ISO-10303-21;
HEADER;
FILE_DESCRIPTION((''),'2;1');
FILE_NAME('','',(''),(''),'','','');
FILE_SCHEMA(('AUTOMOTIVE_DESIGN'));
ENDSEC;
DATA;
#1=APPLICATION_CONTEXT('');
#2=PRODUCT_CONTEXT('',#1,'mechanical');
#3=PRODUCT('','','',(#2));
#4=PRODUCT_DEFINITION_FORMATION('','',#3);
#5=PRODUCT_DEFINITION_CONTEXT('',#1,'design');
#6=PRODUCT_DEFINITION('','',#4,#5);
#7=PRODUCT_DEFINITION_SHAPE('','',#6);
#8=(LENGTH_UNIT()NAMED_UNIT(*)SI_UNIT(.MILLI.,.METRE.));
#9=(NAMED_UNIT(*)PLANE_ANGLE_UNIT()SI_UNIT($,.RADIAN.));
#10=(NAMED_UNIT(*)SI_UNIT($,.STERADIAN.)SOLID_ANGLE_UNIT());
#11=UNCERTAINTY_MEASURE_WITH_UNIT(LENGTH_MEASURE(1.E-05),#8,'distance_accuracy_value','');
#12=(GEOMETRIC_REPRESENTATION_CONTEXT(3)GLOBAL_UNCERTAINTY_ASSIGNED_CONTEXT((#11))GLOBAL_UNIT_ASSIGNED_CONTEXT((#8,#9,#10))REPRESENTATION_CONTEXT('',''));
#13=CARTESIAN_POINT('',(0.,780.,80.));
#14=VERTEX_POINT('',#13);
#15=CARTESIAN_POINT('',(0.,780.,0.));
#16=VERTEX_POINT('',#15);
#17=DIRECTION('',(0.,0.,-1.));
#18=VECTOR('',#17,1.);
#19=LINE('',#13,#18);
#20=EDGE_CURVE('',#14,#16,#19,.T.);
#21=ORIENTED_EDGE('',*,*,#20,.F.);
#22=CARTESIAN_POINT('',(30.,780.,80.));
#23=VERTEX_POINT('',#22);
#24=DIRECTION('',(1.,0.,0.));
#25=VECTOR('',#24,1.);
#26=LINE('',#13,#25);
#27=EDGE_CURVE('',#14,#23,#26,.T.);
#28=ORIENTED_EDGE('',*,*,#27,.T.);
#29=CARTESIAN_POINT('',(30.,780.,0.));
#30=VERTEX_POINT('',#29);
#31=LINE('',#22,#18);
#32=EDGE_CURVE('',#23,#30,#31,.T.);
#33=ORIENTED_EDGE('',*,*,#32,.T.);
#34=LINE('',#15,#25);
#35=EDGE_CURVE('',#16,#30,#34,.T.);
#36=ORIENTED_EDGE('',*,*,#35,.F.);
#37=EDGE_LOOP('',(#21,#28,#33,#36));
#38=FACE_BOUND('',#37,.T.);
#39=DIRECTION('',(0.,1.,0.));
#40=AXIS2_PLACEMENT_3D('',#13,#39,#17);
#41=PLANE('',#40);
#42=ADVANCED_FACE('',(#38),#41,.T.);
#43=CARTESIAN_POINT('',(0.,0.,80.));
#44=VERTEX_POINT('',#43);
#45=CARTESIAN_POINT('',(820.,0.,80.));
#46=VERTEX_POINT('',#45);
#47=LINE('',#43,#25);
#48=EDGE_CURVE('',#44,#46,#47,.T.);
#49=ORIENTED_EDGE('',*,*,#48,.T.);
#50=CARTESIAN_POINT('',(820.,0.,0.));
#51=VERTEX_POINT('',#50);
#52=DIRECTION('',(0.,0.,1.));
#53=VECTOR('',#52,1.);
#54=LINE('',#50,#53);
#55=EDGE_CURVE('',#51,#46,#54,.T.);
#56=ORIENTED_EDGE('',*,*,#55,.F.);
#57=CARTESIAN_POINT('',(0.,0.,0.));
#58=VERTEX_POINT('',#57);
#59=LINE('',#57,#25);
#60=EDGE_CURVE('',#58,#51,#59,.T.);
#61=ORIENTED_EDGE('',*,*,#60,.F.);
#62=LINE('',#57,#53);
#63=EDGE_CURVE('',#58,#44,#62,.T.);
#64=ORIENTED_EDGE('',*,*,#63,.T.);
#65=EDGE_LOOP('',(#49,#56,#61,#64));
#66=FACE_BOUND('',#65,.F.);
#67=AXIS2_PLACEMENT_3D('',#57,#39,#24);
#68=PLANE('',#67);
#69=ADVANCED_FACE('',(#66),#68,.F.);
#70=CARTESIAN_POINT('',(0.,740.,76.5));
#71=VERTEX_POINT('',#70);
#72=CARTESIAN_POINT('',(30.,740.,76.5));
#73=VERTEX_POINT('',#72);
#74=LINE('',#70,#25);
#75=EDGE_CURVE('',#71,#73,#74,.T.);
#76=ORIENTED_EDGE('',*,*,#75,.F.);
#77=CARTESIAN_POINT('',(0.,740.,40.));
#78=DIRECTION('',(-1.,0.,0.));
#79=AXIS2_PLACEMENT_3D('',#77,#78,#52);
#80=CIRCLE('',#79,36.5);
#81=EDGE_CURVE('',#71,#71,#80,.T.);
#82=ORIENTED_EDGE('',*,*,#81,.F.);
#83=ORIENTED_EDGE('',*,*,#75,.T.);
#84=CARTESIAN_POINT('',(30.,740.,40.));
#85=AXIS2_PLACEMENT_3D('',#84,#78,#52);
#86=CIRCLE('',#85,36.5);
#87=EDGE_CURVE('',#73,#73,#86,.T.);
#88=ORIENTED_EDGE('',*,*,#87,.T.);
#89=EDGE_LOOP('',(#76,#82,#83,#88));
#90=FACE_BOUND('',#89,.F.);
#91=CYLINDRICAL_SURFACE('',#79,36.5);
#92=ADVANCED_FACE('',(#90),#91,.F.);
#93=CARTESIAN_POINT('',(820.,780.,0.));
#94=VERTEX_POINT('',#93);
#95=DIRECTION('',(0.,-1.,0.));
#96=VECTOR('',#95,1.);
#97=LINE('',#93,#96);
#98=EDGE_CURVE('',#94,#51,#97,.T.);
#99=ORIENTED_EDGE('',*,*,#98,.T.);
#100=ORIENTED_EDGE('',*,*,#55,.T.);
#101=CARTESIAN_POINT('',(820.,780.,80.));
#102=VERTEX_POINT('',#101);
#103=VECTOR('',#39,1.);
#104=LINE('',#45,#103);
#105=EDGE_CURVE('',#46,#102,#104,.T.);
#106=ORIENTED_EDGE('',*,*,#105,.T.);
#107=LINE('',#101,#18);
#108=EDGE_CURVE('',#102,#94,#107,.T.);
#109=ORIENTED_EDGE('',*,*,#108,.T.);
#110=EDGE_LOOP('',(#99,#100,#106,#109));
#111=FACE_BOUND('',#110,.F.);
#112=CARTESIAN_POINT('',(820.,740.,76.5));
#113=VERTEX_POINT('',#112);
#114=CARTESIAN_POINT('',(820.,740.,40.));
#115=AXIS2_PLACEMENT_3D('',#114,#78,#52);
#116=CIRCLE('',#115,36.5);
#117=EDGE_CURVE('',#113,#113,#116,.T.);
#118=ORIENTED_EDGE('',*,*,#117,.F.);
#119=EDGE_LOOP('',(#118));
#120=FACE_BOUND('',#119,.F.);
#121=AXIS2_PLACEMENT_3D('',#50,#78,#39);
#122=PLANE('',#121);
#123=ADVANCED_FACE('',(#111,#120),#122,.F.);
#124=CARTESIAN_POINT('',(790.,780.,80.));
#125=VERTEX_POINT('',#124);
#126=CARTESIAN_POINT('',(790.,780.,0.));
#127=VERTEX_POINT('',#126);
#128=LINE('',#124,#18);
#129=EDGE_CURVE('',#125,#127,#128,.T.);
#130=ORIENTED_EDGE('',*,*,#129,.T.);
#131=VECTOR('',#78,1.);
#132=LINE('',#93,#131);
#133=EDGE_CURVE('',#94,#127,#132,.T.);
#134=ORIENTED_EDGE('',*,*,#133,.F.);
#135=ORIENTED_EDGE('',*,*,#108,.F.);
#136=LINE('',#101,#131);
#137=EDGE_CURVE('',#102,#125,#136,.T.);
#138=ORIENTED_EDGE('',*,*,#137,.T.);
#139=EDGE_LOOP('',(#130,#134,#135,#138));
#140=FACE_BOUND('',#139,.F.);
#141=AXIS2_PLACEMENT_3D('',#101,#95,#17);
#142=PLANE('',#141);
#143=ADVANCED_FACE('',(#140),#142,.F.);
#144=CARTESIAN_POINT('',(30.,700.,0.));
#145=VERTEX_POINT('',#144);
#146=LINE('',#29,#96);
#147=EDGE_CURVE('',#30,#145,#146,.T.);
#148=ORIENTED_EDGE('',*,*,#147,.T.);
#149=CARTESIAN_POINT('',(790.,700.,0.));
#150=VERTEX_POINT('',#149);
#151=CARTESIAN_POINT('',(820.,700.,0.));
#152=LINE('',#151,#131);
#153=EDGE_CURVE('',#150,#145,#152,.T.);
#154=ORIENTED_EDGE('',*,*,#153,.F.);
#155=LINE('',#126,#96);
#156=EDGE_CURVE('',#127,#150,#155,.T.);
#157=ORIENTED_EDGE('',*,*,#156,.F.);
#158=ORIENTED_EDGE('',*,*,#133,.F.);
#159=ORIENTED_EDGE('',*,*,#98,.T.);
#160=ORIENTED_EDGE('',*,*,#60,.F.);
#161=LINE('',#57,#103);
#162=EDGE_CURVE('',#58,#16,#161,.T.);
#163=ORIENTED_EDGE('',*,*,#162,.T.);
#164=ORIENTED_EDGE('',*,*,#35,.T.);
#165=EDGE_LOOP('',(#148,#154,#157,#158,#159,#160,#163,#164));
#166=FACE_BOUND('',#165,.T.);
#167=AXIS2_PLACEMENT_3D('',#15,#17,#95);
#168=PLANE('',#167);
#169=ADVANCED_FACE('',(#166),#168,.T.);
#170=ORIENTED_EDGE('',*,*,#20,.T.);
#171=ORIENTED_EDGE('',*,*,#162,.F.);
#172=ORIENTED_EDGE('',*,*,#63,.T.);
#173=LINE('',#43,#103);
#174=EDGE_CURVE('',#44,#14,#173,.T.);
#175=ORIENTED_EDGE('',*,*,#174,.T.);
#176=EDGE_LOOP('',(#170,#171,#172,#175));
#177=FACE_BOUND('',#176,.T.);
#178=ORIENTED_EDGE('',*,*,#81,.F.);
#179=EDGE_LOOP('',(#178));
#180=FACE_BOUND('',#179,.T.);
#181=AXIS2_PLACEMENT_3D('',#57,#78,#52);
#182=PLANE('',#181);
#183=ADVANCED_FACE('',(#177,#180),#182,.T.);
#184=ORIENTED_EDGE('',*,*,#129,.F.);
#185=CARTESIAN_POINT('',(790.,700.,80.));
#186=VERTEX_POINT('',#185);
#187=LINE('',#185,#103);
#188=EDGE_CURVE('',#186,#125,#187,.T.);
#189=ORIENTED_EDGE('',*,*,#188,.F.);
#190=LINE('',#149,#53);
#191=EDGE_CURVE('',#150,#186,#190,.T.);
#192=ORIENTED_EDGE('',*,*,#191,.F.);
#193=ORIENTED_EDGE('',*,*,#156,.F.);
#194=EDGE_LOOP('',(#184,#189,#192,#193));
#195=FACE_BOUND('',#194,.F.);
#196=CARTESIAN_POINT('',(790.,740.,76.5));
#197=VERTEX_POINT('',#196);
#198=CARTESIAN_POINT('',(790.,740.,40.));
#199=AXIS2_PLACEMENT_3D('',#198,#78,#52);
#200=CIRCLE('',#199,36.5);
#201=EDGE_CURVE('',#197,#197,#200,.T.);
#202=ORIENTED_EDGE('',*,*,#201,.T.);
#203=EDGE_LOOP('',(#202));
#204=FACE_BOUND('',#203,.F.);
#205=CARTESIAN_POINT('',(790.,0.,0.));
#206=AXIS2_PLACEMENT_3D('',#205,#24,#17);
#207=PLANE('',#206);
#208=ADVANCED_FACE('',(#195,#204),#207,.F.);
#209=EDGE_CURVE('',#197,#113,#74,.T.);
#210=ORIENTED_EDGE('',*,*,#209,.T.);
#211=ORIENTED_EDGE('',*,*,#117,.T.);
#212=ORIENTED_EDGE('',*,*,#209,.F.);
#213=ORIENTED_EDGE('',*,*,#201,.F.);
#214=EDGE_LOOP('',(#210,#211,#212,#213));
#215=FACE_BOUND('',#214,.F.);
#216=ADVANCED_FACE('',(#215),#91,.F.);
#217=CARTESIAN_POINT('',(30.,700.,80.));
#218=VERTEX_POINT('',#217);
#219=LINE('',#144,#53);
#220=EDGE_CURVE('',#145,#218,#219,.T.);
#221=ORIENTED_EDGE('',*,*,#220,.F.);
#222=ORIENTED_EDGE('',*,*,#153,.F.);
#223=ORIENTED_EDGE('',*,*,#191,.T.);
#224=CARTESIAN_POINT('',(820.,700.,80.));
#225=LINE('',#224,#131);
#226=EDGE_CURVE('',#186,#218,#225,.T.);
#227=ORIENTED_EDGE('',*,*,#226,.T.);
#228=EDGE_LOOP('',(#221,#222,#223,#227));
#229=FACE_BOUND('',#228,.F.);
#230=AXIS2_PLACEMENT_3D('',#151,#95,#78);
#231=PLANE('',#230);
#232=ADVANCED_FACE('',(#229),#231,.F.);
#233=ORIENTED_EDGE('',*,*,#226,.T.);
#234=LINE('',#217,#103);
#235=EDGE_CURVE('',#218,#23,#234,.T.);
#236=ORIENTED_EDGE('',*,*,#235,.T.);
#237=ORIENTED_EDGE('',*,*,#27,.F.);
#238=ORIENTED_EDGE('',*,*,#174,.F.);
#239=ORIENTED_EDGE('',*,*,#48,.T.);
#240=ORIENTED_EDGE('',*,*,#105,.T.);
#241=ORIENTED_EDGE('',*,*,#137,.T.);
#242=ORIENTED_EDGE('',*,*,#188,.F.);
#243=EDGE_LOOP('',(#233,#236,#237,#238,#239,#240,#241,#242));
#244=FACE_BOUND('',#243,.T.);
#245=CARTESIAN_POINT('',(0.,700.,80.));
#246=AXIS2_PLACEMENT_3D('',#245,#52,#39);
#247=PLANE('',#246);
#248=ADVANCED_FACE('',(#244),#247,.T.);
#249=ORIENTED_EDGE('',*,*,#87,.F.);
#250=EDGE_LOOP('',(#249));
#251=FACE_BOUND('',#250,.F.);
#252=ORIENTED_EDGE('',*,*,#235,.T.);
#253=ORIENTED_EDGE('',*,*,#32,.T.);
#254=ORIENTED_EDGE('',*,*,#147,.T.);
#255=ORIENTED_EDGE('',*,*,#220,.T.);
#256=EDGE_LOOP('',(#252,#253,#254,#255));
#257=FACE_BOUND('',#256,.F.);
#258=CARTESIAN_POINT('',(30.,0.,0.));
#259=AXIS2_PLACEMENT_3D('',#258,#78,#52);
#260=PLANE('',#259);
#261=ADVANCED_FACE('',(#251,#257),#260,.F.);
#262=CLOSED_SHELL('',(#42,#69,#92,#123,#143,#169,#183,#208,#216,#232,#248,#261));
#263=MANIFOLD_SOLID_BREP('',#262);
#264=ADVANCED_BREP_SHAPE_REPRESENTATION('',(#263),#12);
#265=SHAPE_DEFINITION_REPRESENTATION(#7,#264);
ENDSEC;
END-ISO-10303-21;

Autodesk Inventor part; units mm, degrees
ref_plane "YZ Plane" through (0, 0, 0) normal (1, 0, 0) x (0, 1, 0)
ref_plane "XZ Plane" through (0, 0, 0) normal (0, 1, 0) x (-1, 0, 0)
ref_plane "XY Plane" through (0, 0, 0) normal (0, 0, 1) x (1, 0, 0)
sketch "Sketch1" plane through (0, 0, 0) normal (0, 0, 1) x (1, 0, 0)
  line L0 (0, 0) -> (820, 0)
  line L1 (820, 0) -> (820, 700)
  line L2 (820, 700) -> (0, 700)
  line L3 (0, 700) -> (0, 0)
  dimension "d0" = 820
  dimension "d1" = 700
extrude "Extrusion1" add sketch "Sketch1" along normal blind 80
sketch "Sketch2" plane through (820, 0, 0) normal (1, 0, 0) x (0, 0, -1)
  line L0 (0, 0) -> (0, 700) projected
  line L1 (0, 700) -> (-80, 700) projected
  line L2 (-80, 0) -> (-80, 700) projected
  line L3 (0, 0) -> (-80, 0) projected
  line L4 (0, 0) -> (0, 700) projected
  line L5 (0, 700) -> (-80, 700)
  line L6 (-80, 700) -> (-80, 780)
  line L7 (-80, 780) -> (0, 780)
  line L8 (0, 780) -> (0, 700)
  dimension "d4" = 80
  dimension "d5" = 80
extrude "Extrusion2" add sketch "Sketch2" against normal blind 30 contours L1 L6 L7 L8
sketch "Sketch3" plane through (0, 0, 0) normal (-1, 0, 0) x (0, 0, 1)
  line L0 (0, 700) -> (0, 0) projected
  line L1 (0, 0) -> (80, 0) projected
  line L2 (80, 700) -> (80, 0) projected
  line L3 (0, 700) -> (80, 700) projected
  line L4 (0, 780) -> (0, 700) projected
  line L5 (80, 700) -> (0, 700) projected
  line L6 (80, 700) -> (80, 780) projected
  line L7 (80, 780) -> (0, 780) projected
  line L8 (80, 0) -> (80, 780) projected
  line L9 (0, 700) -> (80, 700)
  line L10 (80, 700) -> (80, 780)
  line L11 (80, 780) -> (0, 780)
  line L12 (0, 780) -> (0, 700)
  point P0 (72, 700)
extrude "Extrusion3" add sketch "Sketch3" against normal blind 30 contours L4 L7 L6 L3
sketch "Sketch4" plane through (0, 0, 0) normal (-1, 0, 0) x (0, 0, 1)
  line L0 (0, 780) -> (80, 780) projected
  line L1 (80, 780) -> (80, 700) projected
  line L2 (0, 700) -> (80, 700) projected
  line L3 (0, 700) -> (0, 780) projected
  circle A0 centre (40, 740) radius 36.5
  point P0 (0, 0)
  dimension "d10" = 73
extrude "Extrusion4" cut sketch "Sketch4" against normal blind 940.75 contours A0
properties part number "mesa"
